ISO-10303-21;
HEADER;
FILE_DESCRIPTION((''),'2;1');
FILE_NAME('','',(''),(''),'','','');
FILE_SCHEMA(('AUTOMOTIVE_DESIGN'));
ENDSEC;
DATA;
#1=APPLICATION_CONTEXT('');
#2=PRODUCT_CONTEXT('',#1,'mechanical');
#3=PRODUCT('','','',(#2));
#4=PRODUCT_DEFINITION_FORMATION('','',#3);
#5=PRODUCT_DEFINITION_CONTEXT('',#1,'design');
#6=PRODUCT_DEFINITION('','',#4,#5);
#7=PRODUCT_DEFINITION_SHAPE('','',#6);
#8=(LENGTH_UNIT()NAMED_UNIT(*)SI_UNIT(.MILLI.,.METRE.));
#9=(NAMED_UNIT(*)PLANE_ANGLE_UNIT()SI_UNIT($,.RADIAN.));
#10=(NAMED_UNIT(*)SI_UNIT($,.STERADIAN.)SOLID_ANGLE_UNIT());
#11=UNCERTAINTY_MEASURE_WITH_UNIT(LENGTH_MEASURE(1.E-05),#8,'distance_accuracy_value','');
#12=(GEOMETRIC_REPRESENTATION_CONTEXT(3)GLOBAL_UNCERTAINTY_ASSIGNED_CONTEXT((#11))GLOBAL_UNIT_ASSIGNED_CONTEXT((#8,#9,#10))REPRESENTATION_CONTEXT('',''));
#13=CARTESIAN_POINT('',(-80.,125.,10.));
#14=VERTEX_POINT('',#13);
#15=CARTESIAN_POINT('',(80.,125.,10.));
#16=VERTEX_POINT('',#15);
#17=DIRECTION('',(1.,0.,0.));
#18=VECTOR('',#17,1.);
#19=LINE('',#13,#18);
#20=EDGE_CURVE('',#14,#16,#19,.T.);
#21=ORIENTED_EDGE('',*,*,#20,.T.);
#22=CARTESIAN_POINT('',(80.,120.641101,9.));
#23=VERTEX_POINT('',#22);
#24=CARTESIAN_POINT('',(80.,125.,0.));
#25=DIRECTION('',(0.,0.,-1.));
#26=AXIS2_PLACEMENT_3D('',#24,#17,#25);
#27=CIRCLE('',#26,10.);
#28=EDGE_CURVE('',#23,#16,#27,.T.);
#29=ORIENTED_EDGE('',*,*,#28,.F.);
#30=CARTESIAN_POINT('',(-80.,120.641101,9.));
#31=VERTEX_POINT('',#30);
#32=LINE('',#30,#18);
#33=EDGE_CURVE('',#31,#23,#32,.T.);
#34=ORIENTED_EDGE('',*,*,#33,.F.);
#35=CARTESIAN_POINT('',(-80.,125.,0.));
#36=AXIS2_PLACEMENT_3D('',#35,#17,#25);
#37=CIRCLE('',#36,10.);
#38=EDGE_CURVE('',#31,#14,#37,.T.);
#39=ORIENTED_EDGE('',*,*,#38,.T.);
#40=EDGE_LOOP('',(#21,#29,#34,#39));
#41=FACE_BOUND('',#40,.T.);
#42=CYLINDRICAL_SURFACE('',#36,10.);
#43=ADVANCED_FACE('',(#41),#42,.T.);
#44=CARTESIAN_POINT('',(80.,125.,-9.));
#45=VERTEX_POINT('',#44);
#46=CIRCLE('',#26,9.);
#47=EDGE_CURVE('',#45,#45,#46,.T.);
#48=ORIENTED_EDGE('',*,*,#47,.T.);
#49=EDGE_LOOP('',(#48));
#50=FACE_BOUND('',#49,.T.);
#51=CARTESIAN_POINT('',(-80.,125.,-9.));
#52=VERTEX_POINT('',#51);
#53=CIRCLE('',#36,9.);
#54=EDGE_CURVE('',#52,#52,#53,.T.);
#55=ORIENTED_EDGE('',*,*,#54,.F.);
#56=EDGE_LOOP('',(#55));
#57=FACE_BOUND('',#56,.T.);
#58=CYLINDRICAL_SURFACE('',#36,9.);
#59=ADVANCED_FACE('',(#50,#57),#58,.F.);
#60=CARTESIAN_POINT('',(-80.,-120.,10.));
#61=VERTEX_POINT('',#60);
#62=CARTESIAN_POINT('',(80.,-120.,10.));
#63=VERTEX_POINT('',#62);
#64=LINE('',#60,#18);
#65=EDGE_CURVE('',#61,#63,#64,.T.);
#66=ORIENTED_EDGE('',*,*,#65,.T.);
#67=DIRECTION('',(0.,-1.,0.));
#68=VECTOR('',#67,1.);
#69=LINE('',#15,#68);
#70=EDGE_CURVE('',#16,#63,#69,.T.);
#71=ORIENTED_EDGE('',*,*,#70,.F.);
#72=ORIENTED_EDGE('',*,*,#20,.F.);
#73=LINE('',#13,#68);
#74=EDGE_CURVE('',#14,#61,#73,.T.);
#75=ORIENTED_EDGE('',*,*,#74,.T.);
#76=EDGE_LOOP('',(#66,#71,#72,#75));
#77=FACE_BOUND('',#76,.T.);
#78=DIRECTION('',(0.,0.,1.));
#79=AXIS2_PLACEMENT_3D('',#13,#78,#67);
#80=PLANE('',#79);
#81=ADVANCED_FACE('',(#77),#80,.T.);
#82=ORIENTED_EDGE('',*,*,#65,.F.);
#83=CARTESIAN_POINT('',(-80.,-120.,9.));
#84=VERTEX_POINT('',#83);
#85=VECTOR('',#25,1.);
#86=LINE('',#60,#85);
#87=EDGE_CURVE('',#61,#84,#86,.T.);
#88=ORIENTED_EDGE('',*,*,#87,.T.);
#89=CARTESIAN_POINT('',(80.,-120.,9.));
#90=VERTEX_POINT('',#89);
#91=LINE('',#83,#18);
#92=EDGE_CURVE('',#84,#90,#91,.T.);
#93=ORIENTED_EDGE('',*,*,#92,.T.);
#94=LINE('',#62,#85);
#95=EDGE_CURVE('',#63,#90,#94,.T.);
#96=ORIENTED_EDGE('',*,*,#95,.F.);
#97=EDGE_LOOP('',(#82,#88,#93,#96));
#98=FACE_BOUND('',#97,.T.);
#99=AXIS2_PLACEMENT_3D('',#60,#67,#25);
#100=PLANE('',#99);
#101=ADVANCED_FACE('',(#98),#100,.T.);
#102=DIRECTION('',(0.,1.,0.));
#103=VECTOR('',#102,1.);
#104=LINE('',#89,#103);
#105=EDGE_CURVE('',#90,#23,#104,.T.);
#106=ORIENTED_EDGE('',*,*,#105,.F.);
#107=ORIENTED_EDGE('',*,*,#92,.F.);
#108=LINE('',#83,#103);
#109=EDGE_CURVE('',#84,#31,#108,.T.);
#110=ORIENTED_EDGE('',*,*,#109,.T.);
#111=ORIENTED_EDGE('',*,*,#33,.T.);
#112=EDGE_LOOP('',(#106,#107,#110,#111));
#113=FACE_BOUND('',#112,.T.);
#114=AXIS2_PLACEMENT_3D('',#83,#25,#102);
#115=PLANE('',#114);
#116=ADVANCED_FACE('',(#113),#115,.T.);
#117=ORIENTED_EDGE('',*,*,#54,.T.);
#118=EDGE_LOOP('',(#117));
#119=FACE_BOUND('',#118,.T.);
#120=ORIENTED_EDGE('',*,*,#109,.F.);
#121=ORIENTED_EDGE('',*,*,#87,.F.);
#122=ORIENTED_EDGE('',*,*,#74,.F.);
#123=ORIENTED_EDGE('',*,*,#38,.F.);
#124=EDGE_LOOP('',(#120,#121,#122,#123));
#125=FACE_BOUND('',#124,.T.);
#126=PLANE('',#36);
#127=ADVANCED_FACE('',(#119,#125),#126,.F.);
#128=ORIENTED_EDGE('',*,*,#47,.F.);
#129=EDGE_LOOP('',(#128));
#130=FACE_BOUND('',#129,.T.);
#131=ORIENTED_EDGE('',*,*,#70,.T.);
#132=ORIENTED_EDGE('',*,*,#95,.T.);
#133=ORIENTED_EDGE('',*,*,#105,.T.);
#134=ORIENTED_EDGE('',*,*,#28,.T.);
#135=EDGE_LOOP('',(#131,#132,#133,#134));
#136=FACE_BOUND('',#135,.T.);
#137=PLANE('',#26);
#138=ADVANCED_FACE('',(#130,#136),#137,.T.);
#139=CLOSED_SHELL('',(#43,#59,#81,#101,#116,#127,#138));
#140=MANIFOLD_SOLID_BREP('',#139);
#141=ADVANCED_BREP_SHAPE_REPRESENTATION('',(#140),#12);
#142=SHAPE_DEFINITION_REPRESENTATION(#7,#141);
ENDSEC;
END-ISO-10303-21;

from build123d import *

# Parameters (mm, degrees)
BOSS_EXTRUDE1_DEPTH      = 80
BOSS_EXTRUDE1_DEPTH_BACK = 80
SKETCH1_R                = 9


with BuildPart() as part:
    # Sketch1 → Boss-Extrude1 (new, two sides: drawn at the far end of the back side and taken through both)
    with BuildSketch(Plane(origin=(0, 0, 0), x_dir=(0, 0, -1), z_dir=(1, 0, 0)).offset(-BOSS_EXTRUDE1_DEPTH_BACK)):
        with BuildLine():
            Line((-10, 125), (-10, -120))
            Line((-10, -120), (-9, -120))
            Line((-9, -120), (-9, 120.641101056))
            ThreePointArc((-9, 120.641101056), (9.746794345, 127.236067977), (-10, 125))
        make_face()
        with Locations((0, 125)):
            Circle(SKETCH1_R, mode=Mode.SUBTRACT)
    extrude(amount=BOSS_EXTRUDE1_DEPTH + BOSS_EXTRUDE1_DEPTH_BACK)


solid = part.part
